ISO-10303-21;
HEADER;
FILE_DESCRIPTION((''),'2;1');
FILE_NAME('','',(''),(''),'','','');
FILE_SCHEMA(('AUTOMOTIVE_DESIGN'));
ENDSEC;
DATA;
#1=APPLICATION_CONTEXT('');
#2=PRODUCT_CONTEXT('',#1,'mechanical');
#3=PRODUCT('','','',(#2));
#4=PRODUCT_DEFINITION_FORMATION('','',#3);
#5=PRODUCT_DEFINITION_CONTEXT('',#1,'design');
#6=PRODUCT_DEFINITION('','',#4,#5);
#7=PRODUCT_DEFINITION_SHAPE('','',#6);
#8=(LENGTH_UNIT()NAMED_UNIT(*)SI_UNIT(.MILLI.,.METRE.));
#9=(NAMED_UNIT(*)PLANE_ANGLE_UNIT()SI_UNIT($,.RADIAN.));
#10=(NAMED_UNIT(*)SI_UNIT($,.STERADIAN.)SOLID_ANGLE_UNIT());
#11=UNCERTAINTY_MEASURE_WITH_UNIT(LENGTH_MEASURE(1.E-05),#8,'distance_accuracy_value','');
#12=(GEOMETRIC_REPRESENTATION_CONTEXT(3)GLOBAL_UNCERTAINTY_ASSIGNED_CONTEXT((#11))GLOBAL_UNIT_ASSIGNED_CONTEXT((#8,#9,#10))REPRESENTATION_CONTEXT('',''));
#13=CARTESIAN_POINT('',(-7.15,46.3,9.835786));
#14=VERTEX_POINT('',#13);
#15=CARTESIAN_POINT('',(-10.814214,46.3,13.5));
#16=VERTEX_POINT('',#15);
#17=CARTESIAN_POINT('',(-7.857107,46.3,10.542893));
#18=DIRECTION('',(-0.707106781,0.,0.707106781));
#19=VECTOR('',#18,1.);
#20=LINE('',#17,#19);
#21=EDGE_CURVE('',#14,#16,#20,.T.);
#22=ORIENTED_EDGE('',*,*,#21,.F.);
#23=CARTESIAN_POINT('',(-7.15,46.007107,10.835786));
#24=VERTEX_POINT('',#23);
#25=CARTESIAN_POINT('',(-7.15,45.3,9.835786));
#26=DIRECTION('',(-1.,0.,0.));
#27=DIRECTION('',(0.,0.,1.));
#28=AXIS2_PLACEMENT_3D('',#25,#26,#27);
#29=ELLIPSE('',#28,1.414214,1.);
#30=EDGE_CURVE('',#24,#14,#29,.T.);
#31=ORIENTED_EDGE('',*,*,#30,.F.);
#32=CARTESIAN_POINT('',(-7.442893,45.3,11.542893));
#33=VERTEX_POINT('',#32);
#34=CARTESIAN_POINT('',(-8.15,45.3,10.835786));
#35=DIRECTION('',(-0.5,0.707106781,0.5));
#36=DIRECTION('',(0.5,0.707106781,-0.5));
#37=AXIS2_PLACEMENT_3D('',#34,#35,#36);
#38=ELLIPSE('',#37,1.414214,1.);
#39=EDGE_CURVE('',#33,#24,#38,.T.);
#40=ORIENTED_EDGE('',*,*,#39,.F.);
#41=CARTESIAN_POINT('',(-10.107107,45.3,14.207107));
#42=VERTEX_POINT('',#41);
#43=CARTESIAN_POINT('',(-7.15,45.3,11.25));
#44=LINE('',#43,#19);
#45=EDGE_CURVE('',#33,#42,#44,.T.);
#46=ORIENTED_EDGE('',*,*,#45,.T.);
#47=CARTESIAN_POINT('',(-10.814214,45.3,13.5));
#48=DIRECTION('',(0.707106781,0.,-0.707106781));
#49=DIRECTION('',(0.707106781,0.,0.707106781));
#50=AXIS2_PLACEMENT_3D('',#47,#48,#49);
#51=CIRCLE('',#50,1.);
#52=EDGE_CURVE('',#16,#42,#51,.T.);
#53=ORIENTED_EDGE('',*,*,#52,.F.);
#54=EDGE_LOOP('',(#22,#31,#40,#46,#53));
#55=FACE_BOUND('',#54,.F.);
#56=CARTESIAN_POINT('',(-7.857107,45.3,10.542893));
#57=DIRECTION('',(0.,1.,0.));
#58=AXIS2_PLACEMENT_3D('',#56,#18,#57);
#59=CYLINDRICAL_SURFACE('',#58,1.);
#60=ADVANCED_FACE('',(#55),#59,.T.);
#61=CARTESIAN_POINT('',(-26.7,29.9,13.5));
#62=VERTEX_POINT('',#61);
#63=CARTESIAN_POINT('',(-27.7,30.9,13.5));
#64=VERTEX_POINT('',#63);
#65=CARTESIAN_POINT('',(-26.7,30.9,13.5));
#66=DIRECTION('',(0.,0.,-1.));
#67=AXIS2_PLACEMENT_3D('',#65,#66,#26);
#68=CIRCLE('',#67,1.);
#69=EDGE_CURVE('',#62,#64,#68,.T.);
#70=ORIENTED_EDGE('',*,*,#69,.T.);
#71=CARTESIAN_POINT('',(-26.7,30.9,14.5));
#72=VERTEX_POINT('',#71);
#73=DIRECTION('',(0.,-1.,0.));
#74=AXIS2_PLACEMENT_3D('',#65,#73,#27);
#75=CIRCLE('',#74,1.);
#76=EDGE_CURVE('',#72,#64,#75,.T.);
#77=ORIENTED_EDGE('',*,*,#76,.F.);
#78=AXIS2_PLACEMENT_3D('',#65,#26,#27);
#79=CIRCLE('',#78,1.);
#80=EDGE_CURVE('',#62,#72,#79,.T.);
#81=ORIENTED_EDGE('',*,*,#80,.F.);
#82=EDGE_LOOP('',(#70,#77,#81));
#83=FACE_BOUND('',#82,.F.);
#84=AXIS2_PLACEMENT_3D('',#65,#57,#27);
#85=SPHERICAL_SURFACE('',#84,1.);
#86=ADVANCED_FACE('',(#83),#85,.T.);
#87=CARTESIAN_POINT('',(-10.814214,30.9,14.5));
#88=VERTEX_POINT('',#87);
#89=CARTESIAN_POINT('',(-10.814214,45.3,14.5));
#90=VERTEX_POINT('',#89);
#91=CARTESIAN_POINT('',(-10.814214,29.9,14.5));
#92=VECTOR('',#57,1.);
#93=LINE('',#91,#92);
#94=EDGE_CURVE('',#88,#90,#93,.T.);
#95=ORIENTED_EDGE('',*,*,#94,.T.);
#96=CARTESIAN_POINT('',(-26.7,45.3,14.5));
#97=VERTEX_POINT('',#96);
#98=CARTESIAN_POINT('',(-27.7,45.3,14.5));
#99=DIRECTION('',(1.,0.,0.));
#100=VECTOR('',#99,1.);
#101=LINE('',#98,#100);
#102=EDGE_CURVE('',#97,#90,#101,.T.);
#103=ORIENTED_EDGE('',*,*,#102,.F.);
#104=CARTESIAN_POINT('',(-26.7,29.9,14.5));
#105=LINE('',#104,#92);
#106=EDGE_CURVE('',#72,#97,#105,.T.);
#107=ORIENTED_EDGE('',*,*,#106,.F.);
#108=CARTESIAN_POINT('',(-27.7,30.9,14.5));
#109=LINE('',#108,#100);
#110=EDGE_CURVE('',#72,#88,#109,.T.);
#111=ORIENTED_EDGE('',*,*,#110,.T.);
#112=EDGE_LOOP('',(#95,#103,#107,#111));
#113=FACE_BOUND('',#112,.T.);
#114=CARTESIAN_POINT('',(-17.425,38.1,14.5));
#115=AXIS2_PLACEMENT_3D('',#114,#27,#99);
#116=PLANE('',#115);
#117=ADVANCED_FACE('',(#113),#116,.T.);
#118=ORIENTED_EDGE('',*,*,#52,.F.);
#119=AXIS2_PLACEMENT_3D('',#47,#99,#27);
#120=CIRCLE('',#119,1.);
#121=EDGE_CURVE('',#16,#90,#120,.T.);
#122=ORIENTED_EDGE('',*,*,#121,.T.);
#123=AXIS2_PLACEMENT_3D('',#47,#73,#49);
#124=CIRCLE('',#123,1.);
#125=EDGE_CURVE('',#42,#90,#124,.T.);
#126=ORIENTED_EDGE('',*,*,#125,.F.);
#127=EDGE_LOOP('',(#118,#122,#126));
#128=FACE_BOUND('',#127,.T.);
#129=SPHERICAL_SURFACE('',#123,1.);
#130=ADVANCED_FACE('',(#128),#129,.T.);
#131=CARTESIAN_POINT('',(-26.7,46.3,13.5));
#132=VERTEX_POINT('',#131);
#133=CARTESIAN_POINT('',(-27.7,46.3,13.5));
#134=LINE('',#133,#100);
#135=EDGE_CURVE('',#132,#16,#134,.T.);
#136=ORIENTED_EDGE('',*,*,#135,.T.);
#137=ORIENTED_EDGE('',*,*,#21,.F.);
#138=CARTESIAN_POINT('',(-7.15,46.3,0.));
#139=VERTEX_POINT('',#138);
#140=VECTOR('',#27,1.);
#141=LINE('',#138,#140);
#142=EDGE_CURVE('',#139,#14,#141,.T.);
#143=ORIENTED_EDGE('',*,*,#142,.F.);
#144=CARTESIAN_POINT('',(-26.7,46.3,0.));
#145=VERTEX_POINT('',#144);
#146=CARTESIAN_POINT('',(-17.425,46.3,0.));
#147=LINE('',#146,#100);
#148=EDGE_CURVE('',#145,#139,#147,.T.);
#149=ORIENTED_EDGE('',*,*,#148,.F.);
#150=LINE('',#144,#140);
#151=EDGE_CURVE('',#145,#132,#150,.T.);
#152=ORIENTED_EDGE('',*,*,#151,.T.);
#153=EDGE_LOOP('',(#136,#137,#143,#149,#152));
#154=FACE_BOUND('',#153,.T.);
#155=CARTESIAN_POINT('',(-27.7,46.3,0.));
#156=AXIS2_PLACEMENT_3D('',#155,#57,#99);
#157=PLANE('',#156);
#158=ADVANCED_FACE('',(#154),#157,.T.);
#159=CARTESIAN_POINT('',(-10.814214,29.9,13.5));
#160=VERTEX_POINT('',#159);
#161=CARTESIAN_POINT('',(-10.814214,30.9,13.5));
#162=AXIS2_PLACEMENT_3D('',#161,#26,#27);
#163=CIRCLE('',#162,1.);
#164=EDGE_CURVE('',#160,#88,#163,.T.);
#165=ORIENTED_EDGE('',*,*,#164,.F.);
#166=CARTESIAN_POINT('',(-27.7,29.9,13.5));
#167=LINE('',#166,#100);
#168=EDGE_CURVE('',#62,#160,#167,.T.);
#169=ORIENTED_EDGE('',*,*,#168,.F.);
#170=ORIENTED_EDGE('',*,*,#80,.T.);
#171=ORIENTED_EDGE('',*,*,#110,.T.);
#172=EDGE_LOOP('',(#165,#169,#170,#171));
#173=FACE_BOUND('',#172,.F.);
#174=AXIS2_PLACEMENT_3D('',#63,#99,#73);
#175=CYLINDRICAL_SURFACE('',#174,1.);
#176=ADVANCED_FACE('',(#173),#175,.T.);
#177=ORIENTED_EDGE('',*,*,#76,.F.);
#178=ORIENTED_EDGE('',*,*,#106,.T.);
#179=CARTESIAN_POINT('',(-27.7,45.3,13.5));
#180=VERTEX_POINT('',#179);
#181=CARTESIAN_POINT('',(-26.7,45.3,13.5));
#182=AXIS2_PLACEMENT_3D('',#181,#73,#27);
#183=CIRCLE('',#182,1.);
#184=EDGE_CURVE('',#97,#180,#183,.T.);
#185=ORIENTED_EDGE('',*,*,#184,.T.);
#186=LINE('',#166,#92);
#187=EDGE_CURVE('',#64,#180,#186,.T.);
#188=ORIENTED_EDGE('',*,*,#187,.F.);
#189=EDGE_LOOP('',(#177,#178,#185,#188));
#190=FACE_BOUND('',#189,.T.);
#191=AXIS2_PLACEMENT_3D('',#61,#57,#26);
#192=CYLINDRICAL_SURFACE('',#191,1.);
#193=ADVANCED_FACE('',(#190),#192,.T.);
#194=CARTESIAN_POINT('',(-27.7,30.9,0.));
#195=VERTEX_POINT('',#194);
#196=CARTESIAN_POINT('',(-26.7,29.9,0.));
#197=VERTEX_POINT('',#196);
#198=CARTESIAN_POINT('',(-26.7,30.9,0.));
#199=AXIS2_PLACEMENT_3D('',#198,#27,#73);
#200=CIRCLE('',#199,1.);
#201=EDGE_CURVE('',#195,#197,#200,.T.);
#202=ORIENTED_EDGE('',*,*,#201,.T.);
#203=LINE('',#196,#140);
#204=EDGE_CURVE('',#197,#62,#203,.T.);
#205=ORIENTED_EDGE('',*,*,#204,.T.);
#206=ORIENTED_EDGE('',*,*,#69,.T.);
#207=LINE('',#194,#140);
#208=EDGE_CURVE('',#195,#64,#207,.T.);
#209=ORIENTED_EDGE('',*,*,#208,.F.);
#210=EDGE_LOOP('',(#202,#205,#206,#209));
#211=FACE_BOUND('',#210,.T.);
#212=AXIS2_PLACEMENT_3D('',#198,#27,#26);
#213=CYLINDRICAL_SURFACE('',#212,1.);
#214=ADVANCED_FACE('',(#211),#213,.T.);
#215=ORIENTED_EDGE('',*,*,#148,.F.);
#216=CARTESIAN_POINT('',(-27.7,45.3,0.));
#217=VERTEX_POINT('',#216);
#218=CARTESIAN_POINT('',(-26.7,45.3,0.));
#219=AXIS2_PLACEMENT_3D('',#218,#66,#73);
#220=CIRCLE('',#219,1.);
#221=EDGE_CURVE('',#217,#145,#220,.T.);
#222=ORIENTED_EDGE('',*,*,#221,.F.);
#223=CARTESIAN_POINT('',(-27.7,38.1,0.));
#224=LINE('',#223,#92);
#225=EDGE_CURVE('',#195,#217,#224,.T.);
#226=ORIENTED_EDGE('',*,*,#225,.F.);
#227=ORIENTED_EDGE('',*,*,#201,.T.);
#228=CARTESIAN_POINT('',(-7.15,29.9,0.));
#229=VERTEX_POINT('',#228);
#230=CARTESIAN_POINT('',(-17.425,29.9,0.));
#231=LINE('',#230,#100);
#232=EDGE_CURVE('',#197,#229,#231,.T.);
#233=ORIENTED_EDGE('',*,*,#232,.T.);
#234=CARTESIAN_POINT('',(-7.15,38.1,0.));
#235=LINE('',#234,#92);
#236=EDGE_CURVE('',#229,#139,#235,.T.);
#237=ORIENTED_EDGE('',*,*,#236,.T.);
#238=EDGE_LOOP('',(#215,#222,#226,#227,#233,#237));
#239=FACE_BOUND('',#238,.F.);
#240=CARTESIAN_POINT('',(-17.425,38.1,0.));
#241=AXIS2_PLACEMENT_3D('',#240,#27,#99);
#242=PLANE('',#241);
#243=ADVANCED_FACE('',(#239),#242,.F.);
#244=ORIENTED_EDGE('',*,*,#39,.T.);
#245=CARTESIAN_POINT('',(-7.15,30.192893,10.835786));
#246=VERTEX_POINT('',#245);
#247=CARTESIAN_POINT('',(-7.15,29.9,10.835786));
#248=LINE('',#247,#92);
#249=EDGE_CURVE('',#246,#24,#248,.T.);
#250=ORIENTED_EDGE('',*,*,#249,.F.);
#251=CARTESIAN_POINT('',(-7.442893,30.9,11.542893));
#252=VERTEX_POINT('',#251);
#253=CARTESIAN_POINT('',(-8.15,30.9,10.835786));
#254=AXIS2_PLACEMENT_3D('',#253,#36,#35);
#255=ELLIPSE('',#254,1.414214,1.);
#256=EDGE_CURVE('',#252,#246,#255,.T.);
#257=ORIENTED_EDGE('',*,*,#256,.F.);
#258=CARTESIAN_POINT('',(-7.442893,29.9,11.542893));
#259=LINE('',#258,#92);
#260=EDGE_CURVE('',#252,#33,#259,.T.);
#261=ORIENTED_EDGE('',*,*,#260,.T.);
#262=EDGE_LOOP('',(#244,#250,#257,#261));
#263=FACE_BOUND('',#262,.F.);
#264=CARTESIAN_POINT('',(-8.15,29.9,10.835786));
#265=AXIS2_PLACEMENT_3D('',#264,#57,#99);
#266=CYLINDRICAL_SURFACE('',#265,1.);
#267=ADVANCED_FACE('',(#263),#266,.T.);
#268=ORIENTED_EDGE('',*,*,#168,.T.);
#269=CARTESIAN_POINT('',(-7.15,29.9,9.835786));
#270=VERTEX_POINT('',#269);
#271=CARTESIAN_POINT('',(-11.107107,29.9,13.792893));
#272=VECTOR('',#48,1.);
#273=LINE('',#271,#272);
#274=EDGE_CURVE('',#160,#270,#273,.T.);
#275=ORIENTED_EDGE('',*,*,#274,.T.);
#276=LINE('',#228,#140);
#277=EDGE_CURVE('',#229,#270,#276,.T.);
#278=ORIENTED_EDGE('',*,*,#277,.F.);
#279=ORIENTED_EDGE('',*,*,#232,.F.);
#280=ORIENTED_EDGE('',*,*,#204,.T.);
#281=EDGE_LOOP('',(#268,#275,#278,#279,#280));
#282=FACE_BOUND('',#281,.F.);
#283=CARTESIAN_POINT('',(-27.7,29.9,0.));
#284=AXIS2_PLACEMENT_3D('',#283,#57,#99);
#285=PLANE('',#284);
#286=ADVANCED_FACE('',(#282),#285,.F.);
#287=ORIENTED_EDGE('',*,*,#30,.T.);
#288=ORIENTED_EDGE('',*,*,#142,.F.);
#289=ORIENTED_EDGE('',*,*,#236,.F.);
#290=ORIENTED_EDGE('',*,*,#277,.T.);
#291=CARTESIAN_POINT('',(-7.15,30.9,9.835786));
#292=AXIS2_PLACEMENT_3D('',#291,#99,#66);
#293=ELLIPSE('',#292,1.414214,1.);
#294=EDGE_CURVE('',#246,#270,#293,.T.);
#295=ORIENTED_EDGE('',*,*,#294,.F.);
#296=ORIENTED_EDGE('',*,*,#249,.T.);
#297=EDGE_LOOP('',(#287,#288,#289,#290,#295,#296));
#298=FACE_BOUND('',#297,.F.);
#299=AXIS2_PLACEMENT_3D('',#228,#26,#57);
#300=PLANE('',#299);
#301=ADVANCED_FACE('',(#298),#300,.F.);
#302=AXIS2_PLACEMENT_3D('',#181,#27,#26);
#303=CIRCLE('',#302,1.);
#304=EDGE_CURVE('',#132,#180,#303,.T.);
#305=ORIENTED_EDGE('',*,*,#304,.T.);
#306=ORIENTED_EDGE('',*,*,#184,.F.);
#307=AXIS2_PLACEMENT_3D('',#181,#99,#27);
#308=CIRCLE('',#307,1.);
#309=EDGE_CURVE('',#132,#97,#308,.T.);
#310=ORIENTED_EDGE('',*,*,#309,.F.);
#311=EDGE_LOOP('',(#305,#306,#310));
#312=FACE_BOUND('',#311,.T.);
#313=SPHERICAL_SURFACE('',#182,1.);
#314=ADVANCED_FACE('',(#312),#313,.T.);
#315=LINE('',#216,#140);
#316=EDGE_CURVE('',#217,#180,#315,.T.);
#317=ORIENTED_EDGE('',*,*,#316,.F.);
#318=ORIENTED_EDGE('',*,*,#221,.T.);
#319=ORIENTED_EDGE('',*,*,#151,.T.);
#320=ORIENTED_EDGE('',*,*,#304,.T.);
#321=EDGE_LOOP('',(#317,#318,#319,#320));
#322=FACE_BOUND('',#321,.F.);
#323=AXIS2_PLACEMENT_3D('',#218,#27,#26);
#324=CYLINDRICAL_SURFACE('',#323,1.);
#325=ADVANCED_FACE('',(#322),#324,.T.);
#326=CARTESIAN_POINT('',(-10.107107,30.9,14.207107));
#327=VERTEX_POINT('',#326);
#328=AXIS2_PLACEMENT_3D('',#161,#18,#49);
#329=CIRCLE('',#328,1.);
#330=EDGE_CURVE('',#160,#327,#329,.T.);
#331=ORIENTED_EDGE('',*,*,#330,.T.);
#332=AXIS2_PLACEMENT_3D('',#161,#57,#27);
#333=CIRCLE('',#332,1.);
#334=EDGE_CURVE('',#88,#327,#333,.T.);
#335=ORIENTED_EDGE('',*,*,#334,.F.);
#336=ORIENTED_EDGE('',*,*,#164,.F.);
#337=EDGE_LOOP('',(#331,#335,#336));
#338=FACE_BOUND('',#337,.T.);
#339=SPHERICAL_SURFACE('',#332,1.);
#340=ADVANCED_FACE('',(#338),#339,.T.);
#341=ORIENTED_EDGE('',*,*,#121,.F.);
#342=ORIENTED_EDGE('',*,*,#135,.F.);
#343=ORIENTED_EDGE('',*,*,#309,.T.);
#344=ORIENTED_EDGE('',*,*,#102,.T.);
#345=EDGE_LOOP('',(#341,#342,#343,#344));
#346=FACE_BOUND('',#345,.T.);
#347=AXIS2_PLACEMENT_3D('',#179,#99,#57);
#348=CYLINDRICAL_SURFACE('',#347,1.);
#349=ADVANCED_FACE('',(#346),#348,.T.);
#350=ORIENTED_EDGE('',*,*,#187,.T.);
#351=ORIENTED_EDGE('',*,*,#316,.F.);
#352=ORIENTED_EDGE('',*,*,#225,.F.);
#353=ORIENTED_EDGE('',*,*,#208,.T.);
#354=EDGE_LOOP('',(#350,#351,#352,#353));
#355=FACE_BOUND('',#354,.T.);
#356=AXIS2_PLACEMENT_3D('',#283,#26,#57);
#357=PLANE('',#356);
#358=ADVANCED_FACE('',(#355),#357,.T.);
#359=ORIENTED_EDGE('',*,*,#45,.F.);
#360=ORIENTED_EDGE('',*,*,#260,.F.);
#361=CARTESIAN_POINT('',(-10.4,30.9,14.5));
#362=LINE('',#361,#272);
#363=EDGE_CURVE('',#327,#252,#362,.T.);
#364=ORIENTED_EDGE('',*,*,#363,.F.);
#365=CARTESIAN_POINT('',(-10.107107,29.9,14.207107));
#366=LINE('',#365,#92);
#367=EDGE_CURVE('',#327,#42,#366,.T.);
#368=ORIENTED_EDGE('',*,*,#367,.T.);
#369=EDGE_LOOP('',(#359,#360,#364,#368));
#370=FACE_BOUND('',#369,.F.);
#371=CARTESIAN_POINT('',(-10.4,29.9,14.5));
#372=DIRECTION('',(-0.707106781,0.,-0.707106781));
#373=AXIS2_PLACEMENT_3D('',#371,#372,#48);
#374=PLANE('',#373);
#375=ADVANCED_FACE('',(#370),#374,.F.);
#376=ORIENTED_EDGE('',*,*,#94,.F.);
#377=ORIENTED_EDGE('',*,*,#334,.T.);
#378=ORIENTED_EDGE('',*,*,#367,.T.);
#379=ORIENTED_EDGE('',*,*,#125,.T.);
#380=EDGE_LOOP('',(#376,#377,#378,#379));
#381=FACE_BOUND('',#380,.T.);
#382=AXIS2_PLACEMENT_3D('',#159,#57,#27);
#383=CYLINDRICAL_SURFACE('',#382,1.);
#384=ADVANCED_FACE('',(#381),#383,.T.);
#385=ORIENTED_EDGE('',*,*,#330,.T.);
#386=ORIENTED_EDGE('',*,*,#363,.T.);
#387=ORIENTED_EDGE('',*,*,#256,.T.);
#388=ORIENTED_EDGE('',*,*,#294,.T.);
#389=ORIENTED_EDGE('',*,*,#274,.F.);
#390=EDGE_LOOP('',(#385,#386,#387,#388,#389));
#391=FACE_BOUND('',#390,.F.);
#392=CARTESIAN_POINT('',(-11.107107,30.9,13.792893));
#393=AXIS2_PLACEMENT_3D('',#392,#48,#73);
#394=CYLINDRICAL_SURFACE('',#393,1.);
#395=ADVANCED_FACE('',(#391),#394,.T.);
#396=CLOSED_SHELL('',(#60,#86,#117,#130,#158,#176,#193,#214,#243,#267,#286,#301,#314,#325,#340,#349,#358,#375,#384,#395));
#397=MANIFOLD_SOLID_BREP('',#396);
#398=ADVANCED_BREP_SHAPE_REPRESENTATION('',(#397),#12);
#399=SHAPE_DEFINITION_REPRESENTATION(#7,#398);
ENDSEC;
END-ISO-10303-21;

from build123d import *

# Parameters (mm, degrees)
SKETCH049_W     = 20.55
SKETCH049_H     = 16.4
PAD017_DEPTH    = 14.5
SKETCH057_W     = 30
SKETCH057_H     = 20
POCKET032_DEPTH = 16.401
FILLET003_R     = 1


with BuildPart() as part:
    # Sketch049 → Pad017 (new body)
    with BuildSketch(Plane.XY):
        with Locations((-17.425, 38.1)):
            Rectangle(SKETCH049_W, SKETCH049_H)
    extrude(amount=PAD017_DEPTH)

    # Sketch057 (on Face3 of Pad017) → Pocket032 (cut, through all)
    with BuildSketch(Plane.XZ.offset(-29.9)):
        with Locations((-17, 8)):
            Rectangle(SKETCH057_W, SKETCH057_H)
        Polygon((-27.7, 14.5), (-10.4, 14.5), (-7.15, 11.25), (-7.15, 0), (-27.7, 0), align=None, mode=Mode.SUBTRACT)
    extrude(amount=-POCKET032_DEPTH, mode=Mode.SUBTRACT)

    # Fillet003
    fillet003_edges = [part.edges().sort_by_distance(p)[0] for p in [
        (-27.7, 38.1, 14.5),
        (-19.05, 46.3, 14.5),
        (-10.4, 38.1, 14.5),
        (-19.05, 29.9, 14.5),
        (-8.775, 29.9, 12.875),
        (-8.775, 46.3, 12.875),
        (-7.15, 38.1, 11.25),
        (-27.7, 29.9, 7.25),
        (-27.7, 46.3, 7.25),
    ]]
    fillet(fillet003_edges, radius=FILLET003_R)


solid = part.part
